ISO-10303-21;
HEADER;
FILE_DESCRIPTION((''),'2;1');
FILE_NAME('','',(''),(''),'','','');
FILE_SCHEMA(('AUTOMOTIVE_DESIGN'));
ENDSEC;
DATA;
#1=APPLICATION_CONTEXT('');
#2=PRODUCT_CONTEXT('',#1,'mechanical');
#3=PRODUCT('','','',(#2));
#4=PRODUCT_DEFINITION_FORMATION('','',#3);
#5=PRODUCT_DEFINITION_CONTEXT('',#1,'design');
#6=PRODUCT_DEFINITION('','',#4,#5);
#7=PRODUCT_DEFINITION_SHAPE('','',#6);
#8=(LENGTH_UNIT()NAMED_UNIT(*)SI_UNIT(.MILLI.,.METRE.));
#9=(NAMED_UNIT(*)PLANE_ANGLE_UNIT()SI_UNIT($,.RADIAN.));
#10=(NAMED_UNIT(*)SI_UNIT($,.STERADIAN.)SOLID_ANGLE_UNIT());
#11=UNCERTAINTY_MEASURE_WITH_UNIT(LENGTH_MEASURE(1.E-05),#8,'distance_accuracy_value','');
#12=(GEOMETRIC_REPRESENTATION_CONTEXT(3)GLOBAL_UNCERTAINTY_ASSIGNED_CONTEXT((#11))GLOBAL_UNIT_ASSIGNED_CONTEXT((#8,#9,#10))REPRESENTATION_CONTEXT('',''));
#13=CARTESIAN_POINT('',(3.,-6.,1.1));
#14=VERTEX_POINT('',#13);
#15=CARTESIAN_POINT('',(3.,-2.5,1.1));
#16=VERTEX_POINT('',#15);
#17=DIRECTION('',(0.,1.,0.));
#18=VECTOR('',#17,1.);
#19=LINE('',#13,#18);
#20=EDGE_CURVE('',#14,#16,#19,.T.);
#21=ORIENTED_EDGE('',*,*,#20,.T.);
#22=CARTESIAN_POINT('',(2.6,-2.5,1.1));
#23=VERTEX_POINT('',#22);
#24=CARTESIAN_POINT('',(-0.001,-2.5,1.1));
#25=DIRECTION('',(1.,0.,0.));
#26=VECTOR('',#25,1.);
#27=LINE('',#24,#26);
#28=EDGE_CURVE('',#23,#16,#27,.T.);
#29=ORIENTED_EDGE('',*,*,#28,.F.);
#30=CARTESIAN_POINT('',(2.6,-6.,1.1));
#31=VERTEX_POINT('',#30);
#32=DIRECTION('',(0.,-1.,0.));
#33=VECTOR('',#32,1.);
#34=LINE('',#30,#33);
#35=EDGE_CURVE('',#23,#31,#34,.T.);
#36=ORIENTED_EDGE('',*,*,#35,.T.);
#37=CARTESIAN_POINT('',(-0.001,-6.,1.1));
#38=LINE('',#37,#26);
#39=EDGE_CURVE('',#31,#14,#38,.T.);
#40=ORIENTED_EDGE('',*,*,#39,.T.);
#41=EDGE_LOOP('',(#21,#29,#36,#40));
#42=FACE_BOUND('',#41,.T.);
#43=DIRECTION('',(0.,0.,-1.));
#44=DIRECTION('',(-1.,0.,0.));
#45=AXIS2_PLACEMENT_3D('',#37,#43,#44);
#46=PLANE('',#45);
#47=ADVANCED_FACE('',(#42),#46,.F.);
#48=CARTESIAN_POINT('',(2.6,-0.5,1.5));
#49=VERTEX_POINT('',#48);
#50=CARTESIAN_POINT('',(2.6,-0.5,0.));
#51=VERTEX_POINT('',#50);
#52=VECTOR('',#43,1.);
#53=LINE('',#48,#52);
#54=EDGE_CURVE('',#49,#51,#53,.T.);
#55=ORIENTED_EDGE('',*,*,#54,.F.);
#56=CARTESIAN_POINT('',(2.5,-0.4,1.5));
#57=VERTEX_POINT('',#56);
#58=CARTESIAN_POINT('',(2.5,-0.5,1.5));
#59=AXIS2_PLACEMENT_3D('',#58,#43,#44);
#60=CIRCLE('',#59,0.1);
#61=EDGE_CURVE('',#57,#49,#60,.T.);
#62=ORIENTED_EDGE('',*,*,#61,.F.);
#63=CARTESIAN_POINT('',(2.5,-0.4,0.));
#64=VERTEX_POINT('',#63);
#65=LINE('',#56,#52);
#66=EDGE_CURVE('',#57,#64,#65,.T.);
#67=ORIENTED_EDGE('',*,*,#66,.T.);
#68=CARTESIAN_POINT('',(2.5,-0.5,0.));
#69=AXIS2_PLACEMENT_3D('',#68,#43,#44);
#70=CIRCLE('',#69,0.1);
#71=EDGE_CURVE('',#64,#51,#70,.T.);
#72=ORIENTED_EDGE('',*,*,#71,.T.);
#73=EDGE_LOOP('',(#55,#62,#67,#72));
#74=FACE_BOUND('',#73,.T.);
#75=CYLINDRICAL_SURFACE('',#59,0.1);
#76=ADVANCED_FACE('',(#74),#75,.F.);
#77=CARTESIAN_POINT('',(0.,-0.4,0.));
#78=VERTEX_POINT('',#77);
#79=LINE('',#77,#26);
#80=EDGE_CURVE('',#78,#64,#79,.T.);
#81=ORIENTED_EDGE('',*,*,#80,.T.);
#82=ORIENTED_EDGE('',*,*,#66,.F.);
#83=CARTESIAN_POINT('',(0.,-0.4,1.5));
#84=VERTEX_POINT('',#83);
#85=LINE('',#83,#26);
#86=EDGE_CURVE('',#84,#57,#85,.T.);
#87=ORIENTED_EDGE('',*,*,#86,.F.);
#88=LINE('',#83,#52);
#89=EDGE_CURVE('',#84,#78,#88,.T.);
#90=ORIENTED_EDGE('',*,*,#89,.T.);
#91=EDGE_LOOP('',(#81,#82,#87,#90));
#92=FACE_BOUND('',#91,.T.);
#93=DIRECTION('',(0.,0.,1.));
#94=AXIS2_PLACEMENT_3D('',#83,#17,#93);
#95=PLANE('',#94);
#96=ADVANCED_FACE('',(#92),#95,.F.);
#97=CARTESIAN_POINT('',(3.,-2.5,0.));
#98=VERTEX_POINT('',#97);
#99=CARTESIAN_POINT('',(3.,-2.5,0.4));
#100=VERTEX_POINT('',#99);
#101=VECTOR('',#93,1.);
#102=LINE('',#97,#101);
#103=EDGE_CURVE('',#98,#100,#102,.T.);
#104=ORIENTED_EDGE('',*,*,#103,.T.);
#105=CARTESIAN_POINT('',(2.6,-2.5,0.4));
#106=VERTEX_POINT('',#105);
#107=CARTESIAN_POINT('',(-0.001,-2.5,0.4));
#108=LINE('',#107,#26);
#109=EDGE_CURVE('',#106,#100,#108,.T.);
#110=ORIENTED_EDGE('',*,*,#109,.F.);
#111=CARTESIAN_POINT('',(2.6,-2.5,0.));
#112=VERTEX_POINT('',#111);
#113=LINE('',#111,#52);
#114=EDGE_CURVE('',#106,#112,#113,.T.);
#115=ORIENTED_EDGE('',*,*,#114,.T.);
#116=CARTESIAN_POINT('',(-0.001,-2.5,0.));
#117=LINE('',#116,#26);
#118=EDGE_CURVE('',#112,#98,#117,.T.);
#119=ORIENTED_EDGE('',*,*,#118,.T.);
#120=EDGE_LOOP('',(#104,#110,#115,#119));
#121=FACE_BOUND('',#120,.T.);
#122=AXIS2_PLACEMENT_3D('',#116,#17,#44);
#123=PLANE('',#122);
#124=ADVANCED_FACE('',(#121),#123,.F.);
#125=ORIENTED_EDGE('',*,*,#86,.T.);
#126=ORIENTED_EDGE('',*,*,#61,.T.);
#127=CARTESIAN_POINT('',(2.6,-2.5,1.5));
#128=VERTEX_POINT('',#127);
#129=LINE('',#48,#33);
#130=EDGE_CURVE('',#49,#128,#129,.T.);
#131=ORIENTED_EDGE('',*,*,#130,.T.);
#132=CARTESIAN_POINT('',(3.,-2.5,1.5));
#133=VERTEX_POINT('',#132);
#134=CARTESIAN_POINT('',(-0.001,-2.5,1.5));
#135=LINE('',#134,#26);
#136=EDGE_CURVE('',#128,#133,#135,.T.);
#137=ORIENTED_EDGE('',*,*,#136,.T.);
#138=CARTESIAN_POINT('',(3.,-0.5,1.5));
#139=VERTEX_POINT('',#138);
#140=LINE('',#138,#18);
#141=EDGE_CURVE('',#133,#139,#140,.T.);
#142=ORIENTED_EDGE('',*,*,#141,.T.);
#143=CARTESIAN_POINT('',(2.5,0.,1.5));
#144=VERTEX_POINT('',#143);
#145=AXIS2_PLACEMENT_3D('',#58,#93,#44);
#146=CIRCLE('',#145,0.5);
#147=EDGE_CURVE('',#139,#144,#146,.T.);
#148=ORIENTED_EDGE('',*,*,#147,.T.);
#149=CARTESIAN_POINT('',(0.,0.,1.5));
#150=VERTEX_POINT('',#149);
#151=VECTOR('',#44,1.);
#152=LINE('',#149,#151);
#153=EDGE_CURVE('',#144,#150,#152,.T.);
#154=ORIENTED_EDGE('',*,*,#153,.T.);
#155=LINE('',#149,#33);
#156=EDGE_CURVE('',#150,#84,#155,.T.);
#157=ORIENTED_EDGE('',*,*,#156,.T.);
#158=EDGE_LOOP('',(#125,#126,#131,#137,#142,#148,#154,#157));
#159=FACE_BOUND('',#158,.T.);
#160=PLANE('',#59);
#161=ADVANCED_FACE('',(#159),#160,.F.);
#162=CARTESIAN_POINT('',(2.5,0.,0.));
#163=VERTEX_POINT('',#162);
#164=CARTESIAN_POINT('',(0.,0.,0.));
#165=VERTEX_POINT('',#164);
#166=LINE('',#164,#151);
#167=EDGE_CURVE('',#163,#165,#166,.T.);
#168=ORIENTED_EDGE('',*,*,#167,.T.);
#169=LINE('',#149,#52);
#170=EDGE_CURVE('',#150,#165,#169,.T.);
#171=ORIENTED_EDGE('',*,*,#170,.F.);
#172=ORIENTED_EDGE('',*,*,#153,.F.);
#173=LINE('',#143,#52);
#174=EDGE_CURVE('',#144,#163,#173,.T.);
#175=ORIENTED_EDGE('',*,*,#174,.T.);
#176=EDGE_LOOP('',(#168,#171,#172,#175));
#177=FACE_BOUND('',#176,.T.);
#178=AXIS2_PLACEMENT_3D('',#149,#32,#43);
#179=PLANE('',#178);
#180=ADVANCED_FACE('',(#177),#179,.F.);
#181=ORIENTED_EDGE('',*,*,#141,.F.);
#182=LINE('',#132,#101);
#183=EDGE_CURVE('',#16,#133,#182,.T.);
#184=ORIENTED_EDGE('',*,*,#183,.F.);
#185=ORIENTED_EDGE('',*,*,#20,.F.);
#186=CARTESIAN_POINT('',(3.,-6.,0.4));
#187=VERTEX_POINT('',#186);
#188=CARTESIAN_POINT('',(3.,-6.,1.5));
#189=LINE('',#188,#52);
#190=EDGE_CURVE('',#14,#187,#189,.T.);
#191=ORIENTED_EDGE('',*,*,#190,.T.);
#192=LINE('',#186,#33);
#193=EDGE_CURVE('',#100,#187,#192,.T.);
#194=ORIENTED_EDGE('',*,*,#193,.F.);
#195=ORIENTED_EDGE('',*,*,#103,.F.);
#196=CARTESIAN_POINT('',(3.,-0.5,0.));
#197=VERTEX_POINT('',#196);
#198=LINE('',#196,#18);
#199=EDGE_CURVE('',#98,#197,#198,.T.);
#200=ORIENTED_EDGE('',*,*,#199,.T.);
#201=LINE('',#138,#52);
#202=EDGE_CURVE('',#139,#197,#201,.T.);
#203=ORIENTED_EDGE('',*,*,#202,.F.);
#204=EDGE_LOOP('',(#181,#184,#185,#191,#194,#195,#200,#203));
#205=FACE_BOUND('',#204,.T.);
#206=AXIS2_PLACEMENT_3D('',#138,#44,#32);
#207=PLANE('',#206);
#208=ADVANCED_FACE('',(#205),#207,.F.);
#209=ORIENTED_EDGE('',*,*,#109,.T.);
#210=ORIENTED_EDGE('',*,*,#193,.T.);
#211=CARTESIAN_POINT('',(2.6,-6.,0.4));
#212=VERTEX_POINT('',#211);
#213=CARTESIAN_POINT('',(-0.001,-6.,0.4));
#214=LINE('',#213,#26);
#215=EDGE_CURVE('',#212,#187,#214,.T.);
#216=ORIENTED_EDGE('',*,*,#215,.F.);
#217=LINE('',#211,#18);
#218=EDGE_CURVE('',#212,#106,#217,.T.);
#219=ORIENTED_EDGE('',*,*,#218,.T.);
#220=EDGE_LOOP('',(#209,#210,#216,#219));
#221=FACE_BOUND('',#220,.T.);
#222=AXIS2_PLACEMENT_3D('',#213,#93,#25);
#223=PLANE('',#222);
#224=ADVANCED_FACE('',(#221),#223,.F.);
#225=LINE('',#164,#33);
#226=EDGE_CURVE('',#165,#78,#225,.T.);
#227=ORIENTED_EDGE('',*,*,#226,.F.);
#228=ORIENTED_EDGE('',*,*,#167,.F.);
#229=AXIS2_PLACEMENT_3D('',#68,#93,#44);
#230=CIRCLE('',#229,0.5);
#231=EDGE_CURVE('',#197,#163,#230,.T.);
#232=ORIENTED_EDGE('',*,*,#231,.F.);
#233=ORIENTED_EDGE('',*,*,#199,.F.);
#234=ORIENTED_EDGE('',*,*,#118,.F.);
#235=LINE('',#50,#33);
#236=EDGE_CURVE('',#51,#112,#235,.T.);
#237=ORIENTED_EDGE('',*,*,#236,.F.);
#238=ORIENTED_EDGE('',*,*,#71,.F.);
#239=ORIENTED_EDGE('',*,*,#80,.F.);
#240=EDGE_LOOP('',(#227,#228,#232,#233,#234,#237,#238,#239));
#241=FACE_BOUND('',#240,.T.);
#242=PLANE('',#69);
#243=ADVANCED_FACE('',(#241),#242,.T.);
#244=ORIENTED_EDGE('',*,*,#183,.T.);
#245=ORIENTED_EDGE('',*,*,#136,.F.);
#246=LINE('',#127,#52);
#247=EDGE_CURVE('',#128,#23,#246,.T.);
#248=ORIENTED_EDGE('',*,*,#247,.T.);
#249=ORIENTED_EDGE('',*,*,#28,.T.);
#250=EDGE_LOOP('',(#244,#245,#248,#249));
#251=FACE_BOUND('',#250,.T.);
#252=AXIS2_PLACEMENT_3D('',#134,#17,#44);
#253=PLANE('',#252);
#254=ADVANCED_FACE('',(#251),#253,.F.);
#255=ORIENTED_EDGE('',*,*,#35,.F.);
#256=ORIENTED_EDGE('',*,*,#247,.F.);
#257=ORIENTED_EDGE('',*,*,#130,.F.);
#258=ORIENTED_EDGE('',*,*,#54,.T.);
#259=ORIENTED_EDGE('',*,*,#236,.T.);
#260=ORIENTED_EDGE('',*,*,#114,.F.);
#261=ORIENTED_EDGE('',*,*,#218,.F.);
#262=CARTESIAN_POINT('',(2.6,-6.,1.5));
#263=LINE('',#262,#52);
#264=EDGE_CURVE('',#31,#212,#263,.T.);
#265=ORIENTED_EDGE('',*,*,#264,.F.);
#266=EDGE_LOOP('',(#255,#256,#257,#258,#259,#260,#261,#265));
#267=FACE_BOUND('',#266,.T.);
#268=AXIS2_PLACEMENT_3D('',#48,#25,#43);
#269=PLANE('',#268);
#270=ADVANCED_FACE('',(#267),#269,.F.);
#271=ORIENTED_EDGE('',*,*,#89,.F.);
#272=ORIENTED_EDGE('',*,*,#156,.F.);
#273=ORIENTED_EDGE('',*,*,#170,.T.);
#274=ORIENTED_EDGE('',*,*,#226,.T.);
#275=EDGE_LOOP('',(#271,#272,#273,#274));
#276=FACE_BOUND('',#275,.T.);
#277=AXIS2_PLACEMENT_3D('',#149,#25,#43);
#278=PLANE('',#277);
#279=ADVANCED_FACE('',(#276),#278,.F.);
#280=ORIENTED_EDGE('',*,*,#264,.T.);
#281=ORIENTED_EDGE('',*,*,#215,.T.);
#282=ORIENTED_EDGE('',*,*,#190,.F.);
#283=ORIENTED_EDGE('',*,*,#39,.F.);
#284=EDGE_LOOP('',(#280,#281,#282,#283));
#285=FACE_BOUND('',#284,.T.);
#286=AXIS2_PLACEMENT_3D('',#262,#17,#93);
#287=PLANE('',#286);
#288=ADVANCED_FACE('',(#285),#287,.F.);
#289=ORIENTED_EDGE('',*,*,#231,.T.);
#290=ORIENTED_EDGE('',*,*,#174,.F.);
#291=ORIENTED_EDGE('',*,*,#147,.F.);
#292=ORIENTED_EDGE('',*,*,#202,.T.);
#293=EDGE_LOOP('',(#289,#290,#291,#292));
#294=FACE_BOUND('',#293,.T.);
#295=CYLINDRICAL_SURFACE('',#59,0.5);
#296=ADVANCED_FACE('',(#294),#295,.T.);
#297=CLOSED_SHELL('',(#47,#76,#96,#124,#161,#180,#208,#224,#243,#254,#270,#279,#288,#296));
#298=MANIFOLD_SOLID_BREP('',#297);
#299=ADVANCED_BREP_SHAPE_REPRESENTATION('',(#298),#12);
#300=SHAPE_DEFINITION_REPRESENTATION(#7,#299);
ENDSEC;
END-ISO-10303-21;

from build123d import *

# Parameters (mm, degrees)
BOSS_EXTRUDE1_DEPTH = 1.5
CUT_EXTRUDE1_REACH  = 5
SKETCH2_W           = 0.4
SKETCH2_H           = 3.5


with BuildPart() as part:
    # Sketch1 → Boss-Extrude1 (new body)
    with BuildSketch(Plane.XY):
        with BuildLine():
            Line((0, 0), (2.5, 0))
            ThreePointArc((2.5, 0), (2.853553391, -0.146446609), (3, -0.5))
            Line((3, -0.5), (3, -6))
            Line((3, -6), (2.6, -6))
            Line((2.6, -6), (2.6, -0.5))
            ThreePointArc((2.6, -0.5), (2.570710678, -0.429289322), (2.5, -0.4))
            Line((2.5, -0.4), (0, -0.4))
            Line((0, -0.4), (0, 0))
        make_face()
    extrude(amount=BOSS_EXTRUDE1_DEPTH)

    # Sketch2 → Cut-Extrude1 (cut, up to next)
    with BuildSketch(Plane(origin=(3, 0, 0), x_dir=(0, 0, -1), z_dir=(1, 0, 0)), mode=Mode.PRIVATE) as cut_extrude1_sk1:
        with Locations((-0.2, -4.25)):
            Rectangle(SKETCH2_W, SKETCH2_H)
    cut_extrude1_tool1 = extrude(cut_extrude1_sk1.sketch, amount=-CUT_EXTRUDE1_REACH, mode=Mode.PRIVATE) & part.part
    add(cut_extrude1_tool1.solids().sort_by_distance((3, -4.25, 0.2))[0], mode=Mode.SUBTRACT)
    # Sketch2 → Cut-Extrude1 (cut, up to next)
    with BuildSketch(Plane(origin=(3, 0, 0), x_dir=(0, 0, -1), z_dir=(1, 0, 0)), mode=Mode.PRIVATE) as cut_extrude1_sk2:
        with Locations((-1.3, -4.25)):
            Rectangle(SKETCH2_W, SKETCH2_H)
    cut_extrude1_tool2 = extrude(cut_extrude1_sk2.sketch, amount=-CUT_EXTRUDE1_REACH, mode=Mode.PRIVATE) & part.part
    add(cut_extrude1_tool2.solids().sort_by_distance((3, -4.25, 1.3))[0], mode=Mode.SUBTRACT)


solid = part.part
